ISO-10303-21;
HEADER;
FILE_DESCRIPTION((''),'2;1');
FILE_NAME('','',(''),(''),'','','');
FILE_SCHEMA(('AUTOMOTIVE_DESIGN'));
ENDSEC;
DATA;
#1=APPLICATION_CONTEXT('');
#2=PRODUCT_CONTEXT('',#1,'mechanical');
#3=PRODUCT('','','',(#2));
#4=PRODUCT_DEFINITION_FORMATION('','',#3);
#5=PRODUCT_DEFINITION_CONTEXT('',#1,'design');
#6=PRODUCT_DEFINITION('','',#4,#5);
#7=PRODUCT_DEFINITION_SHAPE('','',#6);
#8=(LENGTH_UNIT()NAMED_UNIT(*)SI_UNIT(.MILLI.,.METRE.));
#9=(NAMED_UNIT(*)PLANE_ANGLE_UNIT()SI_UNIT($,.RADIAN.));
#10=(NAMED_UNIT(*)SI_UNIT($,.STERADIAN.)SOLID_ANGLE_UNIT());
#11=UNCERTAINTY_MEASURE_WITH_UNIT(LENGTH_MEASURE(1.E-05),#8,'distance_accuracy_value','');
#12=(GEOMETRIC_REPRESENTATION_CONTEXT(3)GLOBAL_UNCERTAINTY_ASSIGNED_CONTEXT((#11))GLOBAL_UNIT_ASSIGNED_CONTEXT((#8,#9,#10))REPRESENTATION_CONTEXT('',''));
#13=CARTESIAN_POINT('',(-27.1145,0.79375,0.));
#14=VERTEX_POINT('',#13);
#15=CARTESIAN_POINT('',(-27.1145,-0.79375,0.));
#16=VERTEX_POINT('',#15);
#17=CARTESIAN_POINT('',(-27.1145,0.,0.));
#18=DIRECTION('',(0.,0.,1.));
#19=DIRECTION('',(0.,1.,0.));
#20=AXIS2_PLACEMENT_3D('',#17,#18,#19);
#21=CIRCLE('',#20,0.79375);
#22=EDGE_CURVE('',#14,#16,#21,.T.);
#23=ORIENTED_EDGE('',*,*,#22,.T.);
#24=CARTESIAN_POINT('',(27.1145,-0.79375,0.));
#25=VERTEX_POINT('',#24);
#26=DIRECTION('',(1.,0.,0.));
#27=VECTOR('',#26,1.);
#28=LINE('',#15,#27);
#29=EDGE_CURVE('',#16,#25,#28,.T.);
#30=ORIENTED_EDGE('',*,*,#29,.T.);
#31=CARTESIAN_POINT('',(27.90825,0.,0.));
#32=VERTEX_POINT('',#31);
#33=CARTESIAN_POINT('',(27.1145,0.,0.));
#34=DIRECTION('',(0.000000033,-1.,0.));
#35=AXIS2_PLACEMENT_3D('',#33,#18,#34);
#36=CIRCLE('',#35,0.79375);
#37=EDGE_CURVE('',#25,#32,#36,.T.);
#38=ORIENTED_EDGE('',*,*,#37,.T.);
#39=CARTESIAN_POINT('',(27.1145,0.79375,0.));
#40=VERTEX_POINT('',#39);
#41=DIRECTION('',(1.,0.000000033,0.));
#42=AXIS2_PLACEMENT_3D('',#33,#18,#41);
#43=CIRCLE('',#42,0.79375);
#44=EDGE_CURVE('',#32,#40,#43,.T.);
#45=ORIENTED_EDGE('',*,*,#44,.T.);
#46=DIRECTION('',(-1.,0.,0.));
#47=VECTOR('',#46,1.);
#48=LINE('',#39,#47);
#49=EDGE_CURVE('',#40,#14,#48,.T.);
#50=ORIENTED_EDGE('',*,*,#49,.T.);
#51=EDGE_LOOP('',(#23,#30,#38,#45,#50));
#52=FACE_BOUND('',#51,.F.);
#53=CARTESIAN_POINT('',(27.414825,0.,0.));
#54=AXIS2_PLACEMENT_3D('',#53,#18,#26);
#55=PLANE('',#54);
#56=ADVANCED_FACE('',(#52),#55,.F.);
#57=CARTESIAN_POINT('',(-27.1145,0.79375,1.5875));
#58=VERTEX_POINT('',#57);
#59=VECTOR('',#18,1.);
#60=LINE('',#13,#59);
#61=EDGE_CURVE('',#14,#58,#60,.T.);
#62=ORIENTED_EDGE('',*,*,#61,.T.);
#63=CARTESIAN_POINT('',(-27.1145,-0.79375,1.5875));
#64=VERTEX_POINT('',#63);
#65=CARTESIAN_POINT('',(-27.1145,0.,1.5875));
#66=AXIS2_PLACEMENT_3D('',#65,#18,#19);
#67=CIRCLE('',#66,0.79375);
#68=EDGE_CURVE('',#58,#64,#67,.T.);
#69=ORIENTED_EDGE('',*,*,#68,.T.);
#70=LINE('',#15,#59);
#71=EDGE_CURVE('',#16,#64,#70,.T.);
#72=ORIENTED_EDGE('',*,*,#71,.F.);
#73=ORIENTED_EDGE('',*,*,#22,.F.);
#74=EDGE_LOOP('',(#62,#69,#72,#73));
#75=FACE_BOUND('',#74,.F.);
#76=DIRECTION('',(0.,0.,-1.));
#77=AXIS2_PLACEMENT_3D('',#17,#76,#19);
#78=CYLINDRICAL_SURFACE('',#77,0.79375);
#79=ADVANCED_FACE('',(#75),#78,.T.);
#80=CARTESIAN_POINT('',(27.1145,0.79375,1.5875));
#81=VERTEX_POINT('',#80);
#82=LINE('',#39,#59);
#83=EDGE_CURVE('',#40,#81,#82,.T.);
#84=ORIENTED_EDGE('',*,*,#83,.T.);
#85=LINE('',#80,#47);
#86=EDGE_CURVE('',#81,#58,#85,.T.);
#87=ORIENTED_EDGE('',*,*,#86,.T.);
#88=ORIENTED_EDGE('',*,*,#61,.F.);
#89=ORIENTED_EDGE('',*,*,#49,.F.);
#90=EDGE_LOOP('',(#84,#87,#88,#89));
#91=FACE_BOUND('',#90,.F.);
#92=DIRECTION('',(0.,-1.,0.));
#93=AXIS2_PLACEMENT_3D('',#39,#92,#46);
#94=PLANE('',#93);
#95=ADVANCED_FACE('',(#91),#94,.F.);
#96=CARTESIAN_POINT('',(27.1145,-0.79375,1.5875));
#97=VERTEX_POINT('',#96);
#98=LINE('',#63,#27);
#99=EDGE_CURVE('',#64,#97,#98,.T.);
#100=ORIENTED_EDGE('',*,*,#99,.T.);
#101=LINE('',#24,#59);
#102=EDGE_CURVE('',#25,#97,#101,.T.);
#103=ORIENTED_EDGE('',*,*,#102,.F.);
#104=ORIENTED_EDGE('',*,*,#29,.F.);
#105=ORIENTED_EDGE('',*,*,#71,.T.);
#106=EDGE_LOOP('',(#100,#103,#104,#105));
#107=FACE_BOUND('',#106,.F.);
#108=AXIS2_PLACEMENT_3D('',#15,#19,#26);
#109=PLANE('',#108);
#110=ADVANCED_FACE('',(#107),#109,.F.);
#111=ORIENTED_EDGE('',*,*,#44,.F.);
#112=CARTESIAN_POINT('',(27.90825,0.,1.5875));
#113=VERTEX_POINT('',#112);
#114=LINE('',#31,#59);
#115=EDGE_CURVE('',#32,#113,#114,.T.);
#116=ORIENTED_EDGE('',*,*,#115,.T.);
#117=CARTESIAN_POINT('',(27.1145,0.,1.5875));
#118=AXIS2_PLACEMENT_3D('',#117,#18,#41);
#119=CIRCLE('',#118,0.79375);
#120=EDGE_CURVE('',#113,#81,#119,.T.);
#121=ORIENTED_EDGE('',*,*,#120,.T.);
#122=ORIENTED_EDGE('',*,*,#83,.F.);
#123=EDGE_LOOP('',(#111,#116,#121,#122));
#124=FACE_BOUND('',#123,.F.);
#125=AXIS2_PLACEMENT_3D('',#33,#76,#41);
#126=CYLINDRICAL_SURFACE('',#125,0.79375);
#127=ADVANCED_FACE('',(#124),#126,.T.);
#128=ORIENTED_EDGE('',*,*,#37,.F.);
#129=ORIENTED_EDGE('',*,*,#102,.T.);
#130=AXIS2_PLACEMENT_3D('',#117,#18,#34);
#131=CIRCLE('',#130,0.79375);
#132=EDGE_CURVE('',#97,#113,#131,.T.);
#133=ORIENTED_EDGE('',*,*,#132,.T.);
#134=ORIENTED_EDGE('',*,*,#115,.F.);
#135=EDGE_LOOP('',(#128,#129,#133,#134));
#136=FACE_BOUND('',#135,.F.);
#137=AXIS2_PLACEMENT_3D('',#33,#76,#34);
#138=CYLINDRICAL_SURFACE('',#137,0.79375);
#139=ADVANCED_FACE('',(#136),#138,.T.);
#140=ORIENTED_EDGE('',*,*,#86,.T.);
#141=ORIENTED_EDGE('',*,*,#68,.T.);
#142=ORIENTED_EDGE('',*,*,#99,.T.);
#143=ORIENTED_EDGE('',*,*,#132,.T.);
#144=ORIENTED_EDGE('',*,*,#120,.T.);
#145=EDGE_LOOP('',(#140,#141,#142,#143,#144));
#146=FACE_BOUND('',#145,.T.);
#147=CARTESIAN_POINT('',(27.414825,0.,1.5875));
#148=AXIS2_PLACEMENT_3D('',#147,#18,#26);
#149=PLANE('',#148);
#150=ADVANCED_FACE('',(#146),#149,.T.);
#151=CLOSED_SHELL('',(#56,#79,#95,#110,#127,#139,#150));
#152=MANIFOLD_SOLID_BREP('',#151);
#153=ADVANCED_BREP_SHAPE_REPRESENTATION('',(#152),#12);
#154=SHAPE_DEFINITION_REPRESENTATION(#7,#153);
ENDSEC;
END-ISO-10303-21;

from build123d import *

# Parameters (mm, degrees)
F1_DEPTH = 1.5875


with BuildPart() as f1:
    # F0 (on Top) → F1 (new body)
    with BuildSketch(Plane.XY):
        with BuildLine():
            Line((27.1145, 0.79375), (27.1145, -0.79375))
            ThreePointArc((27.1145, -0.79375), (27.675766, -0.561266), (27.90825, 0))
            ThreePointArc((27.90825, 0), (27.675766, 0.561266), (27.1145, 0.79375))
        make_face()
        with BuildLine():
            ThreePointArc((27.1145, 0.79375), (26.32075, 0), (27.1145, -0.79375))
            Line((27.1145, -0.79375), (27.1145, 0.79375))
        make_face()
        with BuildLine():
            Line((-27.1145, -0.79375), (27.1145, -0.79375))
            ThreePointArc((27.1145, -0.79375), (26.32075, 0), (27.1145, 0.79375))
            Line((27.1145, 0.79375), (-27.1145, 0.79375))
            ThreePointArc((-27.1145, 0.79375), (-26.553234, 0.561266), (-26.32075, 0))
            ThreePointArc((-26.32075, 0), (-26.553234, -0.561266), (-27.1145, -0.79375))
        make_face()
        with BuildLine():
            ThreePointArc((-27.1145, 0.79375), (-27.90825, 0), (-27.1145, -0.79375))
            Line((-27.1145, -0.79375), (-27.1145, 0.79375))
        make_face()
        with BuildLine():
            Line((-27.1145, 0.79375), (-27.1145, -0.79375))
            ThreePointArc((-27.1145, -0.79375), (-26.553234, -0.561266), (-26.32075, 0))
            ThreePointArc((-26.32075, 0), (-26.553234, 0.561266), (-27.1145, 0.79375))
        make_face()
    extrude(amount=F1_DEPTH)


solid = f1.part
